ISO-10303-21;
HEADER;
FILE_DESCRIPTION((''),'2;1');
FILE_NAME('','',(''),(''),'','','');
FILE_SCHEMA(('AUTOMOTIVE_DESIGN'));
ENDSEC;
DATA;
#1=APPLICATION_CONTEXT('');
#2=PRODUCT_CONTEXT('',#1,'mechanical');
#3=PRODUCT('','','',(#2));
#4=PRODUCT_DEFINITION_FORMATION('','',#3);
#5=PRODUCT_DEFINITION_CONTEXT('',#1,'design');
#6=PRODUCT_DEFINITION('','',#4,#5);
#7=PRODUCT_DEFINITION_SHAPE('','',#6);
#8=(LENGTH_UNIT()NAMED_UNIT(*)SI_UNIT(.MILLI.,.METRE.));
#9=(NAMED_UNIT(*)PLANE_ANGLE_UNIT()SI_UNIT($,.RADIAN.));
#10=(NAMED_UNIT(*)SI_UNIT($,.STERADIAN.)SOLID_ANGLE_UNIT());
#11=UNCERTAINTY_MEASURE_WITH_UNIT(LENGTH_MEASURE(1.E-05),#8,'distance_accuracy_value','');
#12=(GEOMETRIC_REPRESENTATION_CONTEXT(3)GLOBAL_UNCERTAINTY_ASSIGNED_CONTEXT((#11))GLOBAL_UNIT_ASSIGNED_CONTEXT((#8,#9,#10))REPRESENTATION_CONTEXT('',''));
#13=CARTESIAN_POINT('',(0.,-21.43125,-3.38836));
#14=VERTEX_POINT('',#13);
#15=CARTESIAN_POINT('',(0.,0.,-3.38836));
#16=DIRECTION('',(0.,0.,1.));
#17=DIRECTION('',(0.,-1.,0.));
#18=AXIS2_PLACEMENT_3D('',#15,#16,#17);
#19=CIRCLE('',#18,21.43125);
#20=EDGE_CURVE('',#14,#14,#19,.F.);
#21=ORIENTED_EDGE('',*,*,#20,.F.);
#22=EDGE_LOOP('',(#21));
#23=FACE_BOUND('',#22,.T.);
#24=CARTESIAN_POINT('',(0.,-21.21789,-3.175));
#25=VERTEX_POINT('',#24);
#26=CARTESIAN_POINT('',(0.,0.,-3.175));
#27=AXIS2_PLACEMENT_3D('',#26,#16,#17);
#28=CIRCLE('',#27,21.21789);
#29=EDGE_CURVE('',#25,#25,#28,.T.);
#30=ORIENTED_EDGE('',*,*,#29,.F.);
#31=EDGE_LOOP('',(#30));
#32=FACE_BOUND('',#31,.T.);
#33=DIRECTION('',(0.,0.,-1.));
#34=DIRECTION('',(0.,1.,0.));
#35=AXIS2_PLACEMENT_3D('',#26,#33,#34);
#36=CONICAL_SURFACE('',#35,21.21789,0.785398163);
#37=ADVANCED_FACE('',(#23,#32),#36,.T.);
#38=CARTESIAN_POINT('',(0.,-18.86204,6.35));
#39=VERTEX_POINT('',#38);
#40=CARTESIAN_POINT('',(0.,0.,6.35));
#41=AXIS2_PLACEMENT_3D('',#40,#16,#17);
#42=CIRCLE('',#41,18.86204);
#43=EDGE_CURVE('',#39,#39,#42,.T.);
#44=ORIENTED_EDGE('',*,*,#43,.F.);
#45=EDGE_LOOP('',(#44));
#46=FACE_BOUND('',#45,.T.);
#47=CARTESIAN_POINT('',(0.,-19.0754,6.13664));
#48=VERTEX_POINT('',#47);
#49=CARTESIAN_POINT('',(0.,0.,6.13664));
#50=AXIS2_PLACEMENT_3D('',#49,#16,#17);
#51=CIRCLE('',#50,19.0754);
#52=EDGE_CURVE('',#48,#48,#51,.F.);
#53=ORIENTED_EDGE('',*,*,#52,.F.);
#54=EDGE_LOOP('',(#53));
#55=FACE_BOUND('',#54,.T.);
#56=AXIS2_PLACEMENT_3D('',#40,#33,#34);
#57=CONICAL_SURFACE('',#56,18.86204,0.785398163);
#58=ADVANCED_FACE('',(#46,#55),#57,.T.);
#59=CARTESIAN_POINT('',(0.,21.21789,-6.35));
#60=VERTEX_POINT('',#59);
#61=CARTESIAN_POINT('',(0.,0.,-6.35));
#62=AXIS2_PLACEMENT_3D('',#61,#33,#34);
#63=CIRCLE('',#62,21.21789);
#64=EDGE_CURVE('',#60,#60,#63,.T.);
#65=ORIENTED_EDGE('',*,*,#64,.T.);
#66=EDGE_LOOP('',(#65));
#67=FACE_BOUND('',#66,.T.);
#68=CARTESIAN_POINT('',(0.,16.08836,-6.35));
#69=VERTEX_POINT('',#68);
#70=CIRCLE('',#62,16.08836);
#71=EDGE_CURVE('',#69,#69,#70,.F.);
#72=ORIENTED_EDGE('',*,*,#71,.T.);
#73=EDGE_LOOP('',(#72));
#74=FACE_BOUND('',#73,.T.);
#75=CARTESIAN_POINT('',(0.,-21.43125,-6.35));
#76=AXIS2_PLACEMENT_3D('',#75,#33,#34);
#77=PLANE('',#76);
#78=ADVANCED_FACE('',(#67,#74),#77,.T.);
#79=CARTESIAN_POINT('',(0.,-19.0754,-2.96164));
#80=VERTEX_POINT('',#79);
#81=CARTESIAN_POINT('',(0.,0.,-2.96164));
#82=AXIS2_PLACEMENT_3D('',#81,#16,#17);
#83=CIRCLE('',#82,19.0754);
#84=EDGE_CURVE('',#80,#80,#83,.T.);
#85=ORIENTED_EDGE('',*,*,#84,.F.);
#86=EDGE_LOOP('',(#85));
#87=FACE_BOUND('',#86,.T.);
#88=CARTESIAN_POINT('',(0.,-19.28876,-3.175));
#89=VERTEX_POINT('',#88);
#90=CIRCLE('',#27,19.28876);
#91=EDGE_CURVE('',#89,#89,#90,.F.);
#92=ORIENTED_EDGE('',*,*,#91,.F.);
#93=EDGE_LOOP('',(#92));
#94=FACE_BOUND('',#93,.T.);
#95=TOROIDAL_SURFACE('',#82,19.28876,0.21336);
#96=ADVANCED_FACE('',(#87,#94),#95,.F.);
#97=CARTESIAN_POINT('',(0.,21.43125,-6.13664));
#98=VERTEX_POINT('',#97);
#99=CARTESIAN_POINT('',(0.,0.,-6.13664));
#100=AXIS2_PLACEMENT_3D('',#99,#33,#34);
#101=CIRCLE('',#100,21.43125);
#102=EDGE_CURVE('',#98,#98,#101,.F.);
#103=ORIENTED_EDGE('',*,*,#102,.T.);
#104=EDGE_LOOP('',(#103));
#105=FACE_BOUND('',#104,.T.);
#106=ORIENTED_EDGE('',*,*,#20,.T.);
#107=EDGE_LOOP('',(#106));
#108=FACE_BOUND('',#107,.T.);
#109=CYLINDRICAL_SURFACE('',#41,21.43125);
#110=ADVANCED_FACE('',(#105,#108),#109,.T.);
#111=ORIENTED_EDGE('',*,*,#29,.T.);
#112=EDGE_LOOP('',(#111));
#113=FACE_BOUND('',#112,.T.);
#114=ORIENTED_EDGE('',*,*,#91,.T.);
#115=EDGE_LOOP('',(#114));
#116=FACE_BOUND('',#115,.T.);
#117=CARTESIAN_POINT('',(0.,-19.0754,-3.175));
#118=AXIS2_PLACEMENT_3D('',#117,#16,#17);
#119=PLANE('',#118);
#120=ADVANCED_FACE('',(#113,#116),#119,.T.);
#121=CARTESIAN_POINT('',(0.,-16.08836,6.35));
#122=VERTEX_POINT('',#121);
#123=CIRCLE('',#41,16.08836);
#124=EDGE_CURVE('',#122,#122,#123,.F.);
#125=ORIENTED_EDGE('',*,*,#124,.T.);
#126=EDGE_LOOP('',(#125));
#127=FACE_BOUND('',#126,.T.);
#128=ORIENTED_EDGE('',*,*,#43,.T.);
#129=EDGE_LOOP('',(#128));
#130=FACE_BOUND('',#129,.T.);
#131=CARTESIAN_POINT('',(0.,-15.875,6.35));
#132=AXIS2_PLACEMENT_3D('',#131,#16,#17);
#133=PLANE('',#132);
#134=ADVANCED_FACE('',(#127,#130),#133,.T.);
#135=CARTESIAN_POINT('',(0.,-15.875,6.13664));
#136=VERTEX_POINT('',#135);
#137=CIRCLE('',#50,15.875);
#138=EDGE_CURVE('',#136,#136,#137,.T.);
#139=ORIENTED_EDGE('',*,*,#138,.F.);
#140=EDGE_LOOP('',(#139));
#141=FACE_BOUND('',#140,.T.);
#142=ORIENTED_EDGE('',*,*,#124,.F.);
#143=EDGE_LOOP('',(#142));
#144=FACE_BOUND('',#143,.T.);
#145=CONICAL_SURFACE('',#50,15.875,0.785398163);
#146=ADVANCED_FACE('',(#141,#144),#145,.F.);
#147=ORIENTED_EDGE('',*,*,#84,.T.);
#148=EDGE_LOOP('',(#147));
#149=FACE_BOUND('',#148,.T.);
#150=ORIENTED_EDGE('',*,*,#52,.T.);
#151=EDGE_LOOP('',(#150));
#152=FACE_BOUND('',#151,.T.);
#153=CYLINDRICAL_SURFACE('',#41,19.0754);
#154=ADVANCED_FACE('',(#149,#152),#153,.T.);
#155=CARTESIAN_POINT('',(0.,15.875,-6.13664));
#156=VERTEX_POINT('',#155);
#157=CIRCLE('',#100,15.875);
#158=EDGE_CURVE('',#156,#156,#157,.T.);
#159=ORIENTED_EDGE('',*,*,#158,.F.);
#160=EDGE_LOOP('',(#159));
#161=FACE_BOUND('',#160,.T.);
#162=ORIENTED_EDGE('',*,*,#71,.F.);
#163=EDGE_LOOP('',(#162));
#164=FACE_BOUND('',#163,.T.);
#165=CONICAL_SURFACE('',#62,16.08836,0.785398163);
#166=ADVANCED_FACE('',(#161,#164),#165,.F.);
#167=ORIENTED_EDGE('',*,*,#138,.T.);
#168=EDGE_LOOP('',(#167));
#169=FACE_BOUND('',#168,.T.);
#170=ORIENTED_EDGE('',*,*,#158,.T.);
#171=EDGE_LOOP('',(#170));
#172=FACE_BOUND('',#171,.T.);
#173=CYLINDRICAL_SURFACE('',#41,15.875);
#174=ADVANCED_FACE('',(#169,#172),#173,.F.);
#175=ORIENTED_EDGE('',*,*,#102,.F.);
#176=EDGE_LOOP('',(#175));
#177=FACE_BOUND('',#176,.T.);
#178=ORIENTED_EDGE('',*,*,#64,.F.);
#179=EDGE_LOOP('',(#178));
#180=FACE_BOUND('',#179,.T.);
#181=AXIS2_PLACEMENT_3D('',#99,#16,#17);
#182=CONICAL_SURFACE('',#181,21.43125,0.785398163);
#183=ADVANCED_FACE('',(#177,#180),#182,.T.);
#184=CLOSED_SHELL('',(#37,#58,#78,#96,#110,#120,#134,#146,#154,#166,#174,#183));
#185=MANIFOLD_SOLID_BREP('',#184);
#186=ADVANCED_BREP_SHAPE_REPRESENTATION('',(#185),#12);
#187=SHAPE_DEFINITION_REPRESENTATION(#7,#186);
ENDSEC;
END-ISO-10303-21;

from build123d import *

# Parameters (mm, degrees)
FILLET1_SIZE = 0.21336
FILLET2_R    = 0.21336


with BuildPart() as part:
    # Sketch4 → Revolve1 (revolve)
    with BuildSketch(Plane(origin=(0, 0, 0), x_dir=(0, 0, -1), z_dir=(1, 0, 0))):
        Polygon((3.175, -21.43125), (6.35, -21.43125), (6.35, -15.875), (-6.35, -15.875), (-6.35, -19.0754), (3.175, -19.0754), align=None)
    revolve(axis=Axis((0, 0, 6.35), (0, 0, -1)))

    # Fillet1
    fillet1_edges = [part.edges().sort_by_distance(p)[0] for p in [
        (0, 19.0754, 6.35),
        (0, 15.875, 6.35),
        (0, 15.875, -6.35),
        (0, 21.43125, -6.35),
        (0, 21.43125, -3.175),
    ]]
    chamfer(fillet1_edges, length=FILLET1_SIZE)

    # Fillet2
    fillet2_edges = [part.edges().sort_by_distance(p)[0] for p in [
        (0, 19.0754, -3.175),
    ]]
    fillet(fillet2_edges, radius=FILLET2_R)


solid = part.part
